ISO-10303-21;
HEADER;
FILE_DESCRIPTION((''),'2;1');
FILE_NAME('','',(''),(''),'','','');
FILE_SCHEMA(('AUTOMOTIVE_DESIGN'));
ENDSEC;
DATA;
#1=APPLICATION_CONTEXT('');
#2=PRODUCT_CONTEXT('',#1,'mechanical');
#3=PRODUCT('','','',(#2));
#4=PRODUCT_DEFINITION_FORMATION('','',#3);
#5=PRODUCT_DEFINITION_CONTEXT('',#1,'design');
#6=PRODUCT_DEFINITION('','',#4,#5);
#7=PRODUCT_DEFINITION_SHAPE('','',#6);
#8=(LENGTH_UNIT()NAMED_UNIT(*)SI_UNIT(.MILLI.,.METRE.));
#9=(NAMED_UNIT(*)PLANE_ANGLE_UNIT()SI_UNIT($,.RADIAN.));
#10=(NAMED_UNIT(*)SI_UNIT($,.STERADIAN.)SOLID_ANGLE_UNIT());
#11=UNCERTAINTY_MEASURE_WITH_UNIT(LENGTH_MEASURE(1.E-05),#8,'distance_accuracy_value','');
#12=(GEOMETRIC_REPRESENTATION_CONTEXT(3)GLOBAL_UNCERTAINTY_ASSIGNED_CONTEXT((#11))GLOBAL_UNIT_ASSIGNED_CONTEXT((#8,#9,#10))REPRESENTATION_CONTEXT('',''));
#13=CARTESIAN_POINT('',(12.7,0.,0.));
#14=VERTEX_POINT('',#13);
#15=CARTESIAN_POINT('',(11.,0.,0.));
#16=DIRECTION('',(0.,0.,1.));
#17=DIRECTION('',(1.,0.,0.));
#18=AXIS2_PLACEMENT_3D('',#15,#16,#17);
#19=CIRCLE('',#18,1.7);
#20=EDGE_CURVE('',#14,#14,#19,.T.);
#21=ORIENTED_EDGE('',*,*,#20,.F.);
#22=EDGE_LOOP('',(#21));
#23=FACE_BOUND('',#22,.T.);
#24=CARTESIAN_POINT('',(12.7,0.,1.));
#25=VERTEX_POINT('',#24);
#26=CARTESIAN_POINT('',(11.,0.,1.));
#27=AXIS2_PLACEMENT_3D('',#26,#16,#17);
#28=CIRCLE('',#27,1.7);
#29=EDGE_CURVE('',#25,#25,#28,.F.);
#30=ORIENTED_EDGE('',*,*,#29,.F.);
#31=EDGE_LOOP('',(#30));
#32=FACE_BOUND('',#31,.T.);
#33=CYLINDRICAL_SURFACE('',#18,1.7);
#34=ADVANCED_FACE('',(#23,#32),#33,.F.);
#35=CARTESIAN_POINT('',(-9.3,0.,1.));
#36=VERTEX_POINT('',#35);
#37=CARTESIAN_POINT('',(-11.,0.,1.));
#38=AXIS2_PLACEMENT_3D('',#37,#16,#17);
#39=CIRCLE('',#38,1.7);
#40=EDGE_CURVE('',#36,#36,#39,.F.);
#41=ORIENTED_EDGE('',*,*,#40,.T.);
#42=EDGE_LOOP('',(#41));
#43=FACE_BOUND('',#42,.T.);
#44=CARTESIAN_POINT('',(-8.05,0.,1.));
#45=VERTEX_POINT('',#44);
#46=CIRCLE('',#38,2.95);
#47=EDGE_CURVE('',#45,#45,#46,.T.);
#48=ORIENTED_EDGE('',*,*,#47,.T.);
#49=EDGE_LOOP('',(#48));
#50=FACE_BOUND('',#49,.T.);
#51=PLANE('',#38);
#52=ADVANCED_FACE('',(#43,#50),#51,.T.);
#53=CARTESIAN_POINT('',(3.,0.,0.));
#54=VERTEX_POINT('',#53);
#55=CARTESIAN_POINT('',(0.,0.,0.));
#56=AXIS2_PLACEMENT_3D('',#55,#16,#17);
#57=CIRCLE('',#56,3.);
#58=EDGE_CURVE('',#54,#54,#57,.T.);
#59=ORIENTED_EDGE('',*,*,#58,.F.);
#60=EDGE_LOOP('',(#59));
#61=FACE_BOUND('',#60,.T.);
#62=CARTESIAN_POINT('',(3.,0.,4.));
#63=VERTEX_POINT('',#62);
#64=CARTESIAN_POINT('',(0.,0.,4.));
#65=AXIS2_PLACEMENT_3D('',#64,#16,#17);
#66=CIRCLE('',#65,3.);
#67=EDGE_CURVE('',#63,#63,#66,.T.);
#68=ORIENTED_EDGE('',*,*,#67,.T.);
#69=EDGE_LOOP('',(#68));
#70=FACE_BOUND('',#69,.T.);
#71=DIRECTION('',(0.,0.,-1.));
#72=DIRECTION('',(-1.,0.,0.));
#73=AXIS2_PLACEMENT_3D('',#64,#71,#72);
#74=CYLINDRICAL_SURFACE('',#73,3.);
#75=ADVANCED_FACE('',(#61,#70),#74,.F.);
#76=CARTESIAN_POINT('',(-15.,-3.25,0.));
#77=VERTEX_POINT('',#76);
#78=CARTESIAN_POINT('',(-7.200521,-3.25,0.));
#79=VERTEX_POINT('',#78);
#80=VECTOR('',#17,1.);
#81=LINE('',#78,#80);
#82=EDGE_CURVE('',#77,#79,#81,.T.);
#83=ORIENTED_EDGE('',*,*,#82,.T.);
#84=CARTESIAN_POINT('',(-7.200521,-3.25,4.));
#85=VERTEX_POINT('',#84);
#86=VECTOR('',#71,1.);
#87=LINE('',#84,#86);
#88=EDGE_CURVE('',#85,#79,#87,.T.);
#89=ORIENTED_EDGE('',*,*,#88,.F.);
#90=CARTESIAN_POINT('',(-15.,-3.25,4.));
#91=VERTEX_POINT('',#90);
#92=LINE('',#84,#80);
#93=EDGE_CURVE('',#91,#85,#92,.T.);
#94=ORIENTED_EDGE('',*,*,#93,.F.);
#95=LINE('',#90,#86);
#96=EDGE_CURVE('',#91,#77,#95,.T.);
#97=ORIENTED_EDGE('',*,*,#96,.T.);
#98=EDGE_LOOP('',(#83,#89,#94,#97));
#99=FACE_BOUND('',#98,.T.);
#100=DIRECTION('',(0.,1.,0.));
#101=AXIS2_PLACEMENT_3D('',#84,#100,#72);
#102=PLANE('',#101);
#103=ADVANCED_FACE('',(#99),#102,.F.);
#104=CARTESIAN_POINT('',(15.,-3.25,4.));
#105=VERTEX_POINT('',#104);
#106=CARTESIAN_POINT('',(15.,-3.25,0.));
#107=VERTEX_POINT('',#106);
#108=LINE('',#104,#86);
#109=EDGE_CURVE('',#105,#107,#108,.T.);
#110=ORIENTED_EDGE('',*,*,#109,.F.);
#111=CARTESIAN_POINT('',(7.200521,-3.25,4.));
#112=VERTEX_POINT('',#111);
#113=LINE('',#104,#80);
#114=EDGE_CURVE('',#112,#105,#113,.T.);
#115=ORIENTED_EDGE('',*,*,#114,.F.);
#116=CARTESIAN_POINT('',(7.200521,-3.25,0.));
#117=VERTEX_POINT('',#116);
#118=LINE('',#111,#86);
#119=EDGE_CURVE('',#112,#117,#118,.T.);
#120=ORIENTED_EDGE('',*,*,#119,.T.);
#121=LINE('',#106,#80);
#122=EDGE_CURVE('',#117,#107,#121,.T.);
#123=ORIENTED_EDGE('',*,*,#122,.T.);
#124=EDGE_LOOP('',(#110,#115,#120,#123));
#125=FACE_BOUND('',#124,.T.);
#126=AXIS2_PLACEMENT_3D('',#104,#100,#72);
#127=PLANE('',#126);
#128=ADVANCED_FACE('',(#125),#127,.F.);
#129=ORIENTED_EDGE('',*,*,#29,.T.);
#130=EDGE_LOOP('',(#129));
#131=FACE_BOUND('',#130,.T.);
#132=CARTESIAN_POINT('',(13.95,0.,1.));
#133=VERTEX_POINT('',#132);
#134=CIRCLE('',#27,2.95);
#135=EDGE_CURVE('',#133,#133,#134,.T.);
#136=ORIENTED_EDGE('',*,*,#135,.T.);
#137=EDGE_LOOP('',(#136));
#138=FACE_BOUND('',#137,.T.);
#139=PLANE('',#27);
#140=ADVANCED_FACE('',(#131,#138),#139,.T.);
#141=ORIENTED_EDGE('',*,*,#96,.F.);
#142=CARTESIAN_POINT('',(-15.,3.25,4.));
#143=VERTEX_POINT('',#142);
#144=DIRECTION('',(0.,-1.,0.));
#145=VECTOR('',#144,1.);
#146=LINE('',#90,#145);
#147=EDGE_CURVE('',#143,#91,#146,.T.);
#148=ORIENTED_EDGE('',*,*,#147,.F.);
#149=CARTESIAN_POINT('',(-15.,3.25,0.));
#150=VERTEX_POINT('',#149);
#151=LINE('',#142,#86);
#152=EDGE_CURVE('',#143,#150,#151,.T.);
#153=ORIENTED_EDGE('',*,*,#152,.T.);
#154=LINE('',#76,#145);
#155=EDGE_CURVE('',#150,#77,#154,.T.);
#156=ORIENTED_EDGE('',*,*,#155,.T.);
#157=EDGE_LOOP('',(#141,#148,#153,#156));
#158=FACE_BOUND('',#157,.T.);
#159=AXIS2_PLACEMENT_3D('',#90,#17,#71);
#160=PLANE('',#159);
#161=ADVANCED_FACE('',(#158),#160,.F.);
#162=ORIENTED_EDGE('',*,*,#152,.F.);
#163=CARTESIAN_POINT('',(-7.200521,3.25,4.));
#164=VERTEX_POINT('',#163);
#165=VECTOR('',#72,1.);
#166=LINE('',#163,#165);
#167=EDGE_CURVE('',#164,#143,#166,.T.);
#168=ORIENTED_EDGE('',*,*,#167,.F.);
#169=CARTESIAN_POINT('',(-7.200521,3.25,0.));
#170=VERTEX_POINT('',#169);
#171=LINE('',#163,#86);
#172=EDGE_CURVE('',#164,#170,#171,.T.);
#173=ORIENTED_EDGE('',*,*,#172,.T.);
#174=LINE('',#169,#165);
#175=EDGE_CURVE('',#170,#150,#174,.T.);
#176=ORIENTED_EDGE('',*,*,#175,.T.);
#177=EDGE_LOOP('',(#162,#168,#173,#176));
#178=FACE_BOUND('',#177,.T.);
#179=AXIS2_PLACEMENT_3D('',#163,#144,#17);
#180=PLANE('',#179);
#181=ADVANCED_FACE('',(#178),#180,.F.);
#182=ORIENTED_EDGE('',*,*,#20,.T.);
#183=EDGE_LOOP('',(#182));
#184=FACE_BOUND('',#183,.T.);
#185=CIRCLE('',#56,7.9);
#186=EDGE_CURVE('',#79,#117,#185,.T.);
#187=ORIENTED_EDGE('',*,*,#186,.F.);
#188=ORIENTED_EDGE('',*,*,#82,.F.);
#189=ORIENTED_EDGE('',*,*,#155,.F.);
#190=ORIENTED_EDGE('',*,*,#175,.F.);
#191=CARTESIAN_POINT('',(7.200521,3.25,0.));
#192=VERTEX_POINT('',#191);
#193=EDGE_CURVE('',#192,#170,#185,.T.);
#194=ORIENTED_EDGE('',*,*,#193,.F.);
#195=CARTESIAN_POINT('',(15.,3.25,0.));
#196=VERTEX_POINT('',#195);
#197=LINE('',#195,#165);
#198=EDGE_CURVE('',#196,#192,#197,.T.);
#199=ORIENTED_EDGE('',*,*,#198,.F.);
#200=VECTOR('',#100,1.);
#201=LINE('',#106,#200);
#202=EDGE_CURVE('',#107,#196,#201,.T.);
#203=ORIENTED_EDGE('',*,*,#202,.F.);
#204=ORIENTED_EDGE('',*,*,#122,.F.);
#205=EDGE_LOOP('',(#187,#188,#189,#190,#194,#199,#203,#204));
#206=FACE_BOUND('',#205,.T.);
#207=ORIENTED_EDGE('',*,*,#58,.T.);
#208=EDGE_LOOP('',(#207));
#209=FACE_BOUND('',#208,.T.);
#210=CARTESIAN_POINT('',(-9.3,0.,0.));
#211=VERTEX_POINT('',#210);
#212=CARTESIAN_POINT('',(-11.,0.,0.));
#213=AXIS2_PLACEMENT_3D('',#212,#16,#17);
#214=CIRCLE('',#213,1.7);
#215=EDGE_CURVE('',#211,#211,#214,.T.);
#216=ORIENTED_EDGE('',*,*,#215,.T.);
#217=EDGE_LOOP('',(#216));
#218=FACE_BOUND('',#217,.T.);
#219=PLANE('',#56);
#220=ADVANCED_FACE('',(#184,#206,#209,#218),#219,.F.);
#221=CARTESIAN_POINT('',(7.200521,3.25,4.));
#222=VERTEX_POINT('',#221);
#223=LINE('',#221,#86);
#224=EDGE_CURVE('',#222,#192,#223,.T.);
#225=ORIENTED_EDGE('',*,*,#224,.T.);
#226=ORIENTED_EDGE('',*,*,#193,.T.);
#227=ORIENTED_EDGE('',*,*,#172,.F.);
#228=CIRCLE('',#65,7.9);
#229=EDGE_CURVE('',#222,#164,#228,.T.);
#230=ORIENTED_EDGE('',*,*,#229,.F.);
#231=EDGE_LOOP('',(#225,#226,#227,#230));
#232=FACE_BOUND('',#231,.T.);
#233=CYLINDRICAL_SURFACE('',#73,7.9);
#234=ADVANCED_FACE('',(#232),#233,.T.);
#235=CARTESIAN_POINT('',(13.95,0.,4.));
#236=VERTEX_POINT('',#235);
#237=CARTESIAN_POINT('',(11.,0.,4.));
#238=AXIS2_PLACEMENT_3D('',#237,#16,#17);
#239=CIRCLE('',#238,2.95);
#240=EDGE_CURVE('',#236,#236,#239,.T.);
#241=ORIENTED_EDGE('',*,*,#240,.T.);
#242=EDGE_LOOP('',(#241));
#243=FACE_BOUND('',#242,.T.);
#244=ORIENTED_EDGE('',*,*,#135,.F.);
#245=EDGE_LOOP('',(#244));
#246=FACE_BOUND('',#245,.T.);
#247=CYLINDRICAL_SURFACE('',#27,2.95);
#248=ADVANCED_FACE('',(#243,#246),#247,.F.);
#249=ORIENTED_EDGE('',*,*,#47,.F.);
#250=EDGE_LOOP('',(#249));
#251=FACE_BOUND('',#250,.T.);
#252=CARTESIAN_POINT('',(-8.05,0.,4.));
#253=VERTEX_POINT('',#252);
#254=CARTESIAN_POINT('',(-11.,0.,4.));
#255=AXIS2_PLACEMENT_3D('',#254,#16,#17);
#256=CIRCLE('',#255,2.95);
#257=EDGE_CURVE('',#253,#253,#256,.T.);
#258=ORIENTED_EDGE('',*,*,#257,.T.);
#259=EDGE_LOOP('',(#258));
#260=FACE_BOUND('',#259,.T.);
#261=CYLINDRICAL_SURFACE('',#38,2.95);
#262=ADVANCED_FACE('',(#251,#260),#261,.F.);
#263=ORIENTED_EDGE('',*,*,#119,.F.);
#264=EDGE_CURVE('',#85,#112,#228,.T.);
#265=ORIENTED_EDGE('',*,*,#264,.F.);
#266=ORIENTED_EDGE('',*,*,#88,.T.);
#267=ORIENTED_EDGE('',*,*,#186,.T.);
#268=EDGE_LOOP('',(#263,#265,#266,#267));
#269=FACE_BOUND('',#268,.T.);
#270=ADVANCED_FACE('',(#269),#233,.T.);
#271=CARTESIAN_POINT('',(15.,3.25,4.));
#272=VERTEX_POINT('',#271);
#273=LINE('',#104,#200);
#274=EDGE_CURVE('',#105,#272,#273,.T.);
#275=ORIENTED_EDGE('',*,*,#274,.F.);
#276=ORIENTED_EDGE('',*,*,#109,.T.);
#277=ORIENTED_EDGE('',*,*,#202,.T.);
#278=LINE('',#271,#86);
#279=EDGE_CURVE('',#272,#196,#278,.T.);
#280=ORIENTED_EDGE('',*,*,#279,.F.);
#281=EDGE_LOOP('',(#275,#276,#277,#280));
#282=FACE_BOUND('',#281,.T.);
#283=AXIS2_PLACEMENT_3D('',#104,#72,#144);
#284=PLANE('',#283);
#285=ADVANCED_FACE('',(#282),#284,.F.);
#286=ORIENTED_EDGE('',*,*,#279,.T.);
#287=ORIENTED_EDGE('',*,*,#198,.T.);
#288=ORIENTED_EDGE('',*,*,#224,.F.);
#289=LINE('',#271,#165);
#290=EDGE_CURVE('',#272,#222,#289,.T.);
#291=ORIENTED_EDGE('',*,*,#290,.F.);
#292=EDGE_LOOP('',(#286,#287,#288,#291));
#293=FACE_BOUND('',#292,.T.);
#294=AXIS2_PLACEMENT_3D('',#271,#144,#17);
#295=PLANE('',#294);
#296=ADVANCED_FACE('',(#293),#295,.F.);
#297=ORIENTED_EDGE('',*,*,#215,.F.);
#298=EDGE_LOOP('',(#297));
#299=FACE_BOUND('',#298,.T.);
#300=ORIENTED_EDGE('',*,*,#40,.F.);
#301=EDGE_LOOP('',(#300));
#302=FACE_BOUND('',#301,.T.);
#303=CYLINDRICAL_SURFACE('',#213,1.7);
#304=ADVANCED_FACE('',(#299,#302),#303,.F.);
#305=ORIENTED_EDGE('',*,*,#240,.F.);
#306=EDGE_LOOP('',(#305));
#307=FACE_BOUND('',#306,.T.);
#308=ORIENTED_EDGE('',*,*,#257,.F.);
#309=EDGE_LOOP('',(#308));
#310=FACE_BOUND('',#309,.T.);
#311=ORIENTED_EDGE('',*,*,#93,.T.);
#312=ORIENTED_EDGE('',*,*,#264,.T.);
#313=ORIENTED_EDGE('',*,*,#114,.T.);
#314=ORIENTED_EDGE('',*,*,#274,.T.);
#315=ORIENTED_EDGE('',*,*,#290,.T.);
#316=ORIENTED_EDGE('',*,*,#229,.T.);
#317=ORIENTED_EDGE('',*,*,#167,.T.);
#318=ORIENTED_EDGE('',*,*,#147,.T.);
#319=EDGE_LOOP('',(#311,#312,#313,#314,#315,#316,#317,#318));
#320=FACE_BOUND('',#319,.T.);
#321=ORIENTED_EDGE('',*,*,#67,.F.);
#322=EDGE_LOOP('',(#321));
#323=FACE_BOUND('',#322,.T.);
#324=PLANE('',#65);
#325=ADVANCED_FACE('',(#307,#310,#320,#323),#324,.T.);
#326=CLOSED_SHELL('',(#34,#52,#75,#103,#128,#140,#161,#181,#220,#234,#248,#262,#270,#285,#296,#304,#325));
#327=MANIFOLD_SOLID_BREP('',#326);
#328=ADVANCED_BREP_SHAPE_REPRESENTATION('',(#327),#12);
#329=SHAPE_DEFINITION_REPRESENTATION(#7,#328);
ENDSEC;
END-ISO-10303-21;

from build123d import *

# Parameters (mm, degrees)
CROQUIS1_R              = 3
SALIENTE_EXTRUIR1_DEPTH = 4
CROQUIS2_R              = 1.7
CORTAR_EXTRUIR1_DEPTH   = 4
CROQUIS3_R              = 2.95
CORTAR_EXTRUIR2_DEPTH   = 3


with BuildPart() as part:
    # Croquis1 → Saliente-Extruir1 (new body)
    with BuildSketch(Plane.XY):
        with BuildLine():
            Line((-7.200520814, 3.25), (-15, 3.25))
            Line((-15, 3.25), (-15, -3.25))
            Line((-15, -3.25), (-7.200520814, -3.25))
            ThreePointArc((-7.200520814, -3.25), (0, -7.9), (7.200520814, -3.25))
            Line((7.200520814, -3.25), (15, -3.25))
            Line((15, -3.25), (15, 3.25))
            Line((15, 3.25), (7.200520814, 3.25))
            ThreePointArc((7.200520814, 3.25), (0, 7.9), (-7.200520814, 3.25))
        make_face()
        Circle(CROQUIS1_R, mode=Mode.SUBTRACT)
    extrude(amount=SALIENTE_EXTRUIR1_DEPTH)

    # Croquis2 → Cortar-Extruir1 (cut)
    with BuildSketch(Plane.XY.offset(4)):
        with Locations((-11, 0)):
            Circle(CROQUIS2_R)
        with Locations((11, 0)):
            Circle(CROQUIS2_R)
    extrude(amount=-CORTAR_EXTRUIR1_DEPTH, mode=Mode.SUBTRACT)

    # Croquis3 → Cortar-Extruir2 (cut)
    with BuildSketch(Plane.XY.offset(4)):
        with Locations((-11, 0)):
            Circle(CROQUIS3_R)
        with Locations((11, 0)):
            Circle(CROQUIS3_R)
    extrude(amount=-CORTAR_EXTRUIR2_DEPTH, mode=Mode.SUBTRACT)


solid = part.part
